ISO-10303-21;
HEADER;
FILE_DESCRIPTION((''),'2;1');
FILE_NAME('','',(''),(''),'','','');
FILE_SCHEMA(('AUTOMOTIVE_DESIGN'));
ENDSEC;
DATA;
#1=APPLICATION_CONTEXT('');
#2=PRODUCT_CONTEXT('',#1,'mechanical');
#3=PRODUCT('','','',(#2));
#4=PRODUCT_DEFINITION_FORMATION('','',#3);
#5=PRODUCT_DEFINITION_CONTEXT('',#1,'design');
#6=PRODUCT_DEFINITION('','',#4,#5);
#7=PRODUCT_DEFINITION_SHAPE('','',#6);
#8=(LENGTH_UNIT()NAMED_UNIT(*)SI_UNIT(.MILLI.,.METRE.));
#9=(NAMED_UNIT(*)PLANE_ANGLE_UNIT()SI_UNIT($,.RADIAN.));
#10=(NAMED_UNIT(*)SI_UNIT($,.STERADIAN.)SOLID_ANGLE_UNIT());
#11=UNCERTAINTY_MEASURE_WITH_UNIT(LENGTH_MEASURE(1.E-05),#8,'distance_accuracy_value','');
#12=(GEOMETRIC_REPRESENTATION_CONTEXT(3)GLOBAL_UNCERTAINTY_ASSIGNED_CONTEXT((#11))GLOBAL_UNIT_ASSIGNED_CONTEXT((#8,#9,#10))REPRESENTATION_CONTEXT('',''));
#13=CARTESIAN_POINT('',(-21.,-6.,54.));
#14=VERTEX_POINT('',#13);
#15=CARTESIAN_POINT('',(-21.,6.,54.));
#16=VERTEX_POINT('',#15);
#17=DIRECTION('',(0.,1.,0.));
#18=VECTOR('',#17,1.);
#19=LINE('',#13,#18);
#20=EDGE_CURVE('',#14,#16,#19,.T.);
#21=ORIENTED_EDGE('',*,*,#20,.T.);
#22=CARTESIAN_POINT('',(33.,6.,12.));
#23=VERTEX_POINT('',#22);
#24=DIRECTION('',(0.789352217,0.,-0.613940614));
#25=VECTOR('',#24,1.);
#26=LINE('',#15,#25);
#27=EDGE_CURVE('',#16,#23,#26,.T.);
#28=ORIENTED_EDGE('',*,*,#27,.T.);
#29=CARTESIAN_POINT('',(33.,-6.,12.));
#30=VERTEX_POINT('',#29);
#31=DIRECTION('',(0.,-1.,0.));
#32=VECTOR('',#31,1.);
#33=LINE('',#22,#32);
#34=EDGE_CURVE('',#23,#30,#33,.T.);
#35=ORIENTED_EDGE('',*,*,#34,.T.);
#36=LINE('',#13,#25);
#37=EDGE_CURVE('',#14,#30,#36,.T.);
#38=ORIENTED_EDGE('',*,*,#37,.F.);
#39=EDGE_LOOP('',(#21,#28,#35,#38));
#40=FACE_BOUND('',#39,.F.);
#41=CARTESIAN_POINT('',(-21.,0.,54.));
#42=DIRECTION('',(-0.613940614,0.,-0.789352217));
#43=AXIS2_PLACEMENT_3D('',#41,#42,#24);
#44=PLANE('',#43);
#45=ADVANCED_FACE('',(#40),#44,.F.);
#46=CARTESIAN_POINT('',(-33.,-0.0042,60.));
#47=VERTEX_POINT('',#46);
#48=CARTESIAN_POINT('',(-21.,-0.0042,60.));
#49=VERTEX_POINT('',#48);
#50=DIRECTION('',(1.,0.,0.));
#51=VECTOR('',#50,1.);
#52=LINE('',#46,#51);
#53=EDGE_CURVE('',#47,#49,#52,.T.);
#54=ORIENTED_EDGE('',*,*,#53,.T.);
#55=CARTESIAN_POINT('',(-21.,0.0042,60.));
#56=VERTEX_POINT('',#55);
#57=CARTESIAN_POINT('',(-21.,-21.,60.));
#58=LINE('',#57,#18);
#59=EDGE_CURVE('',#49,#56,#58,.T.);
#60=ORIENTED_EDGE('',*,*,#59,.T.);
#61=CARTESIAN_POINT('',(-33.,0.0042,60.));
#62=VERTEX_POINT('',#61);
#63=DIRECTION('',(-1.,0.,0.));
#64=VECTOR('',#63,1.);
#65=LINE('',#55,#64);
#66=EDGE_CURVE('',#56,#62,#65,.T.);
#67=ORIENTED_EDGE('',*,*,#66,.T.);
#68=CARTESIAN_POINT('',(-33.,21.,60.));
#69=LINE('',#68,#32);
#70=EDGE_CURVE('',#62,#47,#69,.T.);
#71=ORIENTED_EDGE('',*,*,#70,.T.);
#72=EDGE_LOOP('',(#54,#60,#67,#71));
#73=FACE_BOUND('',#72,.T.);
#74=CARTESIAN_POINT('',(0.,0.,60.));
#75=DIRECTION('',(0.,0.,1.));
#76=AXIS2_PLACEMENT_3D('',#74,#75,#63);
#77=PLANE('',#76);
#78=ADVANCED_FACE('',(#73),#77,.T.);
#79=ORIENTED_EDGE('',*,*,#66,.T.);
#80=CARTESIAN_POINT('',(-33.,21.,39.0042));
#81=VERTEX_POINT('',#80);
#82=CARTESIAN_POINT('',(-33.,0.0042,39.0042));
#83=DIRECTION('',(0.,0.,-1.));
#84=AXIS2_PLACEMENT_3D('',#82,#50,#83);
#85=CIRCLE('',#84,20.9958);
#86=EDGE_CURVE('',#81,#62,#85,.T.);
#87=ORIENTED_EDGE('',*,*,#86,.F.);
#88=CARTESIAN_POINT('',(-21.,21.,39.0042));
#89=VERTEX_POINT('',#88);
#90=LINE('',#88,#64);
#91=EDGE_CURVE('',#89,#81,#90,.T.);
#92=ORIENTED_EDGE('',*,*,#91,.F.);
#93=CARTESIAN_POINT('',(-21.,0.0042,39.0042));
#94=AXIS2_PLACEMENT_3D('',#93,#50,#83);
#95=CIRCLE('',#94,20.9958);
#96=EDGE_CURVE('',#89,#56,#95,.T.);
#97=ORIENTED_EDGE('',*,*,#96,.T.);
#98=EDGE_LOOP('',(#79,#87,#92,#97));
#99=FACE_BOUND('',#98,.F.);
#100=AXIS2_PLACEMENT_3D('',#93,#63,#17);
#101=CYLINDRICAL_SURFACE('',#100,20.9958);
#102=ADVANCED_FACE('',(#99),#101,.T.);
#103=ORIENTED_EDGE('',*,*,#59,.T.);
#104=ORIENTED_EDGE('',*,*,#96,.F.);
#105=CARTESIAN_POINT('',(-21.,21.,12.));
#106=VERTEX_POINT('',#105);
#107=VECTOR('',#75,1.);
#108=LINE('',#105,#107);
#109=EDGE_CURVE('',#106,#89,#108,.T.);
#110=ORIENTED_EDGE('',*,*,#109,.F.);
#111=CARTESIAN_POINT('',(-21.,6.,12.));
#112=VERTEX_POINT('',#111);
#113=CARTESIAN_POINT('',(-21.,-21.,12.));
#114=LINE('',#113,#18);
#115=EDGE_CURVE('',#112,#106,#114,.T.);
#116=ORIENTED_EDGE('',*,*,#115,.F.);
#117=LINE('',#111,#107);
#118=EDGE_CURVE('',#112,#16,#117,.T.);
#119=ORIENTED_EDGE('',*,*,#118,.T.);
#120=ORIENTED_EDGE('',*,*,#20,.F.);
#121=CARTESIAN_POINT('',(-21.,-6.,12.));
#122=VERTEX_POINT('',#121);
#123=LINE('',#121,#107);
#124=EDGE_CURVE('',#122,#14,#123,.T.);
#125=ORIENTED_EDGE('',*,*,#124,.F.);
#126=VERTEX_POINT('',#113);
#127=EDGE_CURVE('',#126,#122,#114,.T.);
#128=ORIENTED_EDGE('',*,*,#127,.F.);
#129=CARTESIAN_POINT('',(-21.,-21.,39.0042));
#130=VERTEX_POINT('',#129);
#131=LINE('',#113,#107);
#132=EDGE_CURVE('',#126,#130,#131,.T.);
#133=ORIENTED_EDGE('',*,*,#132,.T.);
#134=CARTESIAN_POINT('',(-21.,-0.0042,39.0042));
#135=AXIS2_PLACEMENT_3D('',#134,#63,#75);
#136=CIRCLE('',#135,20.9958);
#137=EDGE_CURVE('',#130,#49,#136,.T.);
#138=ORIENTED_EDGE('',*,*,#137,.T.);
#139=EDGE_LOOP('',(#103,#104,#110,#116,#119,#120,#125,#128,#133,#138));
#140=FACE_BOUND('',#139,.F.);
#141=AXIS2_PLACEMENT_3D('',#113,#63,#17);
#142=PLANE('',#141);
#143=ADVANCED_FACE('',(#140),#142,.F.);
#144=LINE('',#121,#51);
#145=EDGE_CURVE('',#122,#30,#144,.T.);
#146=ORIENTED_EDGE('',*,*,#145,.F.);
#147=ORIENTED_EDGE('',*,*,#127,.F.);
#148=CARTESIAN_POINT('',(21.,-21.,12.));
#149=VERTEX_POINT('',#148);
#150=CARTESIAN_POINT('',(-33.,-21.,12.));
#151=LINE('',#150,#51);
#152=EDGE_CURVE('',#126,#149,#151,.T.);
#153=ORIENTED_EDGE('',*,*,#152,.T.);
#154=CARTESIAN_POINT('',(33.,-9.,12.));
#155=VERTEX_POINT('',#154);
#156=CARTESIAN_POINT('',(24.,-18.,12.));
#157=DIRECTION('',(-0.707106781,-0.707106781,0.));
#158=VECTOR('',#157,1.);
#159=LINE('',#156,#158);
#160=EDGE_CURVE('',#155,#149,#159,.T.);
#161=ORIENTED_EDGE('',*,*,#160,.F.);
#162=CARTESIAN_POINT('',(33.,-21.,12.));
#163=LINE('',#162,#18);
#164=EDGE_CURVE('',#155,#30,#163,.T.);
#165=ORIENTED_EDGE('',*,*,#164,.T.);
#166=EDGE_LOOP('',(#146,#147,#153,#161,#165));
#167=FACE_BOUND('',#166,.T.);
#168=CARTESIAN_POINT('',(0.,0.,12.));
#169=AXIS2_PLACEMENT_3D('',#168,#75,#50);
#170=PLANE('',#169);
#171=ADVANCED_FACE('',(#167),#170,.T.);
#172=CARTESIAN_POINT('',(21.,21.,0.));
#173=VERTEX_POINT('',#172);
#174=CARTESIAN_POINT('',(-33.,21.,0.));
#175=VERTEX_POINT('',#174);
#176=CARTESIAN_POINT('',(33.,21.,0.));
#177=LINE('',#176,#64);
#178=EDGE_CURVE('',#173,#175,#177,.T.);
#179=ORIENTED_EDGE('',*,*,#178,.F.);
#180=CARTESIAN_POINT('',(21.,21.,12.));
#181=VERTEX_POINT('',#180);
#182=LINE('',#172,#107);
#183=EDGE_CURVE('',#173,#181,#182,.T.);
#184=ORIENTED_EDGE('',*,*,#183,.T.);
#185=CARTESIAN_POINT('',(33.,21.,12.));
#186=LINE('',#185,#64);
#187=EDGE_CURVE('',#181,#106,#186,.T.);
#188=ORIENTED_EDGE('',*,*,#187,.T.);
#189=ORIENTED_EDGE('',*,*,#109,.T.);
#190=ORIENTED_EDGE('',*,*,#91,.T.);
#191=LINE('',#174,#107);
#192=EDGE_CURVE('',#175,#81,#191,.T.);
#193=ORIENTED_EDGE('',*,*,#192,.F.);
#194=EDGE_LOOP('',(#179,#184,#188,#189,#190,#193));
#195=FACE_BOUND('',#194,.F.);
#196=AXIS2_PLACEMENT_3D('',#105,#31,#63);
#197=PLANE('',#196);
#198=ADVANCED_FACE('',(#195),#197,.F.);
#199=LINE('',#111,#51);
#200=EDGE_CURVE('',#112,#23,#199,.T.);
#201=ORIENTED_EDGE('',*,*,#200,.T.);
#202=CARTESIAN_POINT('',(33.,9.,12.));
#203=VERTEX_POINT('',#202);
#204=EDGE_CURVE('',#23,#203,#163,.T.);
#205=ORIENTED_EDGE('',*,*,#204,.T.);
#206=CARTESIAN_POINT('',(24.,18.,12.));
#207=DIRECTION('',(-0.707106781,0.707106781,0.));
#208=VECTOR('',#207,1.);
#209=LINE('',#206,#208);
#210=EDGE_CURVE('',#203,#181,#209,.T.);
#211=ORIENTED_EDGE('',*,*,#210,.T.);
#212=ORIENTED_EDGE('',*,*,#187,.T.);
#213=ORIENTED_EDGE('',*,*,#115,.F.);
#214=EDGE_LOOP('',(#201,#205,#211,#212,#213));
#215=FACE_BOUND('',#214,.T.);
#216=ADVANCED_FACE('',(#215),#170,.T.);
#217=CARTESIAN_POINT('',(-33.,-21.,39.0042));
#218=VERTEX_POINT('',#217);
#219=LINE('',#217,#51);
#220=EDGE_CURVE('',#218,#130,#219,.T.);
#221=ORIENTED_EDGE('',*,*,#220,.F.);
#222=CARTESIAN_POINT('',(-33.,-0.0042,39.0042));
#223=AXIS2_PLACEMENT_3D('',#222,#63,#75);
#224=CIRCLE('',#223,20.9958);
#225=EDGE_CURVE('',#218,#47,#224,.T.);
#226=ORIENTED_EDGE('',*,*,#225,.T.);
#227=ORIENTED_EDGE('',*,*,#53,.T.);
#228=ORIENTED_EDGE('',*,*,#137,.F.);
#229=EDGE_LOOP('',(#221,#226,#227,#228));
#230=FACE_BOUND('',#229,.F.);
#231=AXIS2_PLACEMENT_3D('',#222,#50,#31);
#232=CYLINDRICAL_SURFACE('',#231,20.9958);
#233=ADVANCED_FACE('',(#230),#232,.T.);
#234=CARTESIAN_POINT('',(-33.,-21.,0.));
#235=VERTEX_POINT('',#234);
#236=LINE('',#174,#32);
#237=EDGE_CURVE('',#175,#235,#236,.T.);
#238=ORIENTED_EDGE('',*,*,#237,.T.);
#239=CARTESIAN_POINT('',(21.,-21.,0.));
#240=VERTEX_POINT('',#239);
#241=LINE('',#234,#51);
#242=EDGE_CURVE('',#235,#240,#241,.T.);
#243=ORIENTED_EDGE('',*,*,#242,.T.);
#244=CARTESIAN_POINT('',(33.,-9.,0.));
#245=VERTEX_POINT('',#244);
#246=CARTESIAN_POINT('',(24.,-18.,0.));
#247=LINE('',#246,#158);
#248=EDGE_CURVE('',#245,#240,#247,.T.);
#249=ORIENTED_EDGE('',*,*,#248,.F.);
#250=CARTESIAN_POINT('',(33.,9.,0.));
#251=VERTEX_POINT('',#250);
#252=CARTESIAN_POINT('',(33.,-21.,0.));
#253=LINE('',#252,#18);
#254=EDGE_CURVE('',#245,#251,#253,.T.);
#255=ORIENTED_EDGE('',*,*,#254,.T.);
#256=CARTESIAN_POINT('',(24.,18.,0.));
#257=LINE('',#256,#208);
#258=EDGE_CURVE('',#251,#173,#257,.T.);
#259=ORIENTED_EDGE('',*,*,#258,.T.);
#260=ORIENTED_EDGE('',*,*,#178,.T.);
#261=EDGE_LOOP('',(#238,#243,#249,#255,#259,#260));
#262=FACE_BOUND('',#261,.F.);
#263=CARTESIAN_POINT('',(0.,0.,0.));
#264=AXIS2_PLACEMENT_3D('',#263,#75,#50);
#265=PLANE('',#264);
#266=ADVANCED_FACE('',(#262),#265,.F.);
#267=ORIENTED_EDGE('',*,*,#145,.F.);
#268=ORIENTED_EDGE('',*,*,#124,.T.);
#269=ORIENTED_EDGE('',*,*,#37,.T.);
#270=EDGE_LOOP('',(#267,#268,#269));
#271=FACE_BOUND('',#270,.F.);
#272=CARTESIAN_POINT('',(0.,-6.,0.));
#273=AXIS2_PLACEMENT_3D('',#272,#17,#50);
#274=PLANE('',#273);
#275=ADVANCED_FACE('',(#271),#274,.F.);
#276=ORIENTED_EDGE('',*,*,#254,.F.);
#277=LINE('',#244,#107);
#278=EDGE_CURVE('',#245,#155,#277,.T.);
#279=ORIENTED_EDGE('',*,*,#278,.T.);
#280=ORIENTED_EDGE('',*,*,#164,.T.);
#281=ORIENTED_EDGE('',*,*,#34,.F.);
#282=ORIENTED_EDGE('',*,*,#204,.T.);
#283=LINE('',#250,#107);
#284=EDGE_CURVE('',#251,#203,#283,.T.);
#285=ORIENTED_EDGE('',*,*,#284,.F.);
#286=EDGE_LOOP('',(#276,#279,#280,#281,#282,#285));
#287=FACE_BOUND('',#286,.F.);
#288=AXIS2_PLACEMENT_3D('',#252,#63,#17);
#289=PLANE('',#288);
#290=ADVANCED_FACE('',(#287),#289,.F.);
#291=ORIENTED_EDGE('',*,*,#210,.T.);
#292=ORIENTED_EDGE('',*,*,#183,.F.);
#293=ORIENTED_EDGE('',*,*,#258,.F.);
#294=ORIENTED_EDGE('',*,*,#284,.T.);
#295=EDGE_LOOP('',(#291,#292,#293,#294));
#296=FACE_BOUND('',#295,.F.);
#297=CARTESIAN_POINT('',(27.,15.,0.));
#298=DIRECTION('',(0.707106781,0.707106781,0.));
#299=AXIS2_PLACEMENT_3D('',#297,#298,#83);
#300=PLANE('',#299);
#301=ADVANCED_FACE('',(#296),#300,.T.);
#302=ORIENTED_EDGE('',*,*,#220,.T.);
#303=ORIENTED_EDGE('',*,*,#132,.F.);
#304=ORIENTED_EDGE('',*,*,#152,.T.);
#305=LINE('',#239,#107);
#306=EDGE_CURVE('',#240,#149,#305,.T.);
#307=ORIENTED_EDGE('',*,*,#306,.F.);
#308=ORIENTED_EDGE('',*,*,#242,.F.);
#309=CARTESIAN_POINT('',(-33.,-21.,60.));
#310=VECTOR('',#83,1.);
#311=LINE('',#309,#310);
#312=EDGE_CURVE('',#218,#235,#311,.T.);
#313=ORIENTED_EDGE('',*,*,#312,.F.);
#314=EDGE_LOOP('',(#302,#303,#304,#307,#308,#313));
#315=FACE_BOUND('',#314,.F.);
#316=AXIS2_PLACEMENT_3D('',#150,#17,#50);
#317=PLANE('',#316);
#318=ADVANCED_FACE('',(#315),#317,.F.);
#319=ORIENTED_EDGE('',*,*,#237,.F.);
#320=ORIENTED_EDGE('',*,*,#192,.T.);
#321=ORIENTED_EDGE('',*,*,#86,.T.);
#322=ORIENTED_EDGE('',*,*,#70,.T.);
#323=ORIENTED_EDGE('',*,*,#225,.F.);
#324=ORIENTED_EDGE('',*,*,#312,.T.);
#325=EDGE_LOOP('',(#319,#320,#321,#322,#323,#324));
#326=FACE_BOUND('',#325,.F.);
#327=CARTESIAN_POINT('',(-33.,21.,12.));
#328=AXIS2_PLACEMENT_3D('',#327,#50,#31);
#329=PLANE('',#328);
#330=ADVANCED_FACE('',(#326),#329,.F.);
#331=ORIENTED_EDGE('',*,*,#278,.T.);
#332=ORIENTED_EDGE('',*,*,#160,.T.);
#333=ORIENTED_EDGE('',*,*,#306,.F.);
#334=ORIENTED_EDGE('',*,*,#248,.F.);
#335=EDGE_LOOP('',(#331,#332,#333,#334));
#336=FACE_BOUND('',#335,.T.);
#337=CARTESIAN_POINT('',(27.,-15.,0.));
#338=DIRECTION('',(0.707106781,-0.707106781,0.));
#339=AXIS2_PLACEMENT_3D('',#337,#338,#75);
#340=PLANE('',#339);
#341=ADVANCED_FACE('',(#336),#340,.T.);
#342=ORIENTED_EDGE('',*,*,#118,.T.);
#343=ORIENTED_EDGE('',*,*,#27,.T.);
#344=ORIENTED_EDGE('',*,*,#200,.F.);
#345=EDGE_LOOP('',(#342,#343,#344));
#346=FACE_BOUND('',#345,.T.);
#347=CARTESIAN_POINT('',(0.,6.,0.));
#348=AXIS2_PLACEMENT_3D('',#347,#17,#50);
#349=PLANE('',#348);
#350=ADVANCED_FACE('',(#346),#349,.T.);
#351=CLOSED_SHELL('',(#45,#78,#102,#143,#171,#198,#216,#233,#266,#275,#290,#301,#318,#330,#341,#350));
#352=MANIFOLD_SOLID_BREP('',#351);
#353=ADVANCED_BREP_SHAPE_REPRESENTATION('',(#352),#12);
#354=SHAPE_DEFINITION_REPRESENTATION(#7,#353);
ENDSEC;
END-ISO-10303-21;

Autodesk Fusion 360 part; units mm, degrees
sketch "base" plane through (0, 0, 0) normal (0, 0, 1) x (1, 0, 0)
  line L0 (33, 21) -> (-33, 21)
  line L1 (-33, 21) -> (-33, -21)
  line L2 (-33, -21) -> (33, -21)
  line L3 (33, -21) -> (33, 21)
  line L4 (33, 21) -> (-33, -21) construction
  line L5 (-33, 21) -> (33, -21) construction
  dimension "d1" = 66
  dimension "d2" = 42
extrude "Extrude1" add sketch "base" along normal blind 12
chamfer "Chamfer1" distance 12 angle 45 2 edges at (33, -21, 6) (33, 21, 6)
sketch "top" plane through (0, 0, 12) normal (0, 0, 1) x (-1, 0, 0)
  line L0 (-33, -9) -> (-21, -21)
  line L1 (-21, -21) -> (33, -21)
  line L2 (33, -21) -> (33, 21)
  line L3 (33, 21) -> (-21, 21)
  line L4 (-21, 21) -> (-33, 9)
  line L5 (-33, 9) -> (-33, -9)
  line L6 (33, 21) -> (21, 21)
  line L7 (21, 21) -> (21, -21)
  line L8 (21, -21) -> (33, -21)
  line L9 (33, -21) -> (33, 21)
  dimension "d6" = 12
extrude "Extrude4" add sketch "top" along normal blind 48 contours L1 L2 L3 L6 L7 L8 L9
fillet "Fillet2" radius 21 2 edges at (-27, -21, 60) (-27, 21, 60)
sketch "triangle" plane through (0, 0, 0) normal (0, 1, 0) x (1, 0, 0)
  line L0 (-21, -12) -> (33, -12)
  line L1 (-21, -12) -> (-21, -54)
  line L2 (-21, -54) -> (33, -12)
  dimension "d17" = 42
extrude "Extrude5" add sketch "triangle" along normal mid plane 12
equation "d14 = 60 mm - 12 mm"
